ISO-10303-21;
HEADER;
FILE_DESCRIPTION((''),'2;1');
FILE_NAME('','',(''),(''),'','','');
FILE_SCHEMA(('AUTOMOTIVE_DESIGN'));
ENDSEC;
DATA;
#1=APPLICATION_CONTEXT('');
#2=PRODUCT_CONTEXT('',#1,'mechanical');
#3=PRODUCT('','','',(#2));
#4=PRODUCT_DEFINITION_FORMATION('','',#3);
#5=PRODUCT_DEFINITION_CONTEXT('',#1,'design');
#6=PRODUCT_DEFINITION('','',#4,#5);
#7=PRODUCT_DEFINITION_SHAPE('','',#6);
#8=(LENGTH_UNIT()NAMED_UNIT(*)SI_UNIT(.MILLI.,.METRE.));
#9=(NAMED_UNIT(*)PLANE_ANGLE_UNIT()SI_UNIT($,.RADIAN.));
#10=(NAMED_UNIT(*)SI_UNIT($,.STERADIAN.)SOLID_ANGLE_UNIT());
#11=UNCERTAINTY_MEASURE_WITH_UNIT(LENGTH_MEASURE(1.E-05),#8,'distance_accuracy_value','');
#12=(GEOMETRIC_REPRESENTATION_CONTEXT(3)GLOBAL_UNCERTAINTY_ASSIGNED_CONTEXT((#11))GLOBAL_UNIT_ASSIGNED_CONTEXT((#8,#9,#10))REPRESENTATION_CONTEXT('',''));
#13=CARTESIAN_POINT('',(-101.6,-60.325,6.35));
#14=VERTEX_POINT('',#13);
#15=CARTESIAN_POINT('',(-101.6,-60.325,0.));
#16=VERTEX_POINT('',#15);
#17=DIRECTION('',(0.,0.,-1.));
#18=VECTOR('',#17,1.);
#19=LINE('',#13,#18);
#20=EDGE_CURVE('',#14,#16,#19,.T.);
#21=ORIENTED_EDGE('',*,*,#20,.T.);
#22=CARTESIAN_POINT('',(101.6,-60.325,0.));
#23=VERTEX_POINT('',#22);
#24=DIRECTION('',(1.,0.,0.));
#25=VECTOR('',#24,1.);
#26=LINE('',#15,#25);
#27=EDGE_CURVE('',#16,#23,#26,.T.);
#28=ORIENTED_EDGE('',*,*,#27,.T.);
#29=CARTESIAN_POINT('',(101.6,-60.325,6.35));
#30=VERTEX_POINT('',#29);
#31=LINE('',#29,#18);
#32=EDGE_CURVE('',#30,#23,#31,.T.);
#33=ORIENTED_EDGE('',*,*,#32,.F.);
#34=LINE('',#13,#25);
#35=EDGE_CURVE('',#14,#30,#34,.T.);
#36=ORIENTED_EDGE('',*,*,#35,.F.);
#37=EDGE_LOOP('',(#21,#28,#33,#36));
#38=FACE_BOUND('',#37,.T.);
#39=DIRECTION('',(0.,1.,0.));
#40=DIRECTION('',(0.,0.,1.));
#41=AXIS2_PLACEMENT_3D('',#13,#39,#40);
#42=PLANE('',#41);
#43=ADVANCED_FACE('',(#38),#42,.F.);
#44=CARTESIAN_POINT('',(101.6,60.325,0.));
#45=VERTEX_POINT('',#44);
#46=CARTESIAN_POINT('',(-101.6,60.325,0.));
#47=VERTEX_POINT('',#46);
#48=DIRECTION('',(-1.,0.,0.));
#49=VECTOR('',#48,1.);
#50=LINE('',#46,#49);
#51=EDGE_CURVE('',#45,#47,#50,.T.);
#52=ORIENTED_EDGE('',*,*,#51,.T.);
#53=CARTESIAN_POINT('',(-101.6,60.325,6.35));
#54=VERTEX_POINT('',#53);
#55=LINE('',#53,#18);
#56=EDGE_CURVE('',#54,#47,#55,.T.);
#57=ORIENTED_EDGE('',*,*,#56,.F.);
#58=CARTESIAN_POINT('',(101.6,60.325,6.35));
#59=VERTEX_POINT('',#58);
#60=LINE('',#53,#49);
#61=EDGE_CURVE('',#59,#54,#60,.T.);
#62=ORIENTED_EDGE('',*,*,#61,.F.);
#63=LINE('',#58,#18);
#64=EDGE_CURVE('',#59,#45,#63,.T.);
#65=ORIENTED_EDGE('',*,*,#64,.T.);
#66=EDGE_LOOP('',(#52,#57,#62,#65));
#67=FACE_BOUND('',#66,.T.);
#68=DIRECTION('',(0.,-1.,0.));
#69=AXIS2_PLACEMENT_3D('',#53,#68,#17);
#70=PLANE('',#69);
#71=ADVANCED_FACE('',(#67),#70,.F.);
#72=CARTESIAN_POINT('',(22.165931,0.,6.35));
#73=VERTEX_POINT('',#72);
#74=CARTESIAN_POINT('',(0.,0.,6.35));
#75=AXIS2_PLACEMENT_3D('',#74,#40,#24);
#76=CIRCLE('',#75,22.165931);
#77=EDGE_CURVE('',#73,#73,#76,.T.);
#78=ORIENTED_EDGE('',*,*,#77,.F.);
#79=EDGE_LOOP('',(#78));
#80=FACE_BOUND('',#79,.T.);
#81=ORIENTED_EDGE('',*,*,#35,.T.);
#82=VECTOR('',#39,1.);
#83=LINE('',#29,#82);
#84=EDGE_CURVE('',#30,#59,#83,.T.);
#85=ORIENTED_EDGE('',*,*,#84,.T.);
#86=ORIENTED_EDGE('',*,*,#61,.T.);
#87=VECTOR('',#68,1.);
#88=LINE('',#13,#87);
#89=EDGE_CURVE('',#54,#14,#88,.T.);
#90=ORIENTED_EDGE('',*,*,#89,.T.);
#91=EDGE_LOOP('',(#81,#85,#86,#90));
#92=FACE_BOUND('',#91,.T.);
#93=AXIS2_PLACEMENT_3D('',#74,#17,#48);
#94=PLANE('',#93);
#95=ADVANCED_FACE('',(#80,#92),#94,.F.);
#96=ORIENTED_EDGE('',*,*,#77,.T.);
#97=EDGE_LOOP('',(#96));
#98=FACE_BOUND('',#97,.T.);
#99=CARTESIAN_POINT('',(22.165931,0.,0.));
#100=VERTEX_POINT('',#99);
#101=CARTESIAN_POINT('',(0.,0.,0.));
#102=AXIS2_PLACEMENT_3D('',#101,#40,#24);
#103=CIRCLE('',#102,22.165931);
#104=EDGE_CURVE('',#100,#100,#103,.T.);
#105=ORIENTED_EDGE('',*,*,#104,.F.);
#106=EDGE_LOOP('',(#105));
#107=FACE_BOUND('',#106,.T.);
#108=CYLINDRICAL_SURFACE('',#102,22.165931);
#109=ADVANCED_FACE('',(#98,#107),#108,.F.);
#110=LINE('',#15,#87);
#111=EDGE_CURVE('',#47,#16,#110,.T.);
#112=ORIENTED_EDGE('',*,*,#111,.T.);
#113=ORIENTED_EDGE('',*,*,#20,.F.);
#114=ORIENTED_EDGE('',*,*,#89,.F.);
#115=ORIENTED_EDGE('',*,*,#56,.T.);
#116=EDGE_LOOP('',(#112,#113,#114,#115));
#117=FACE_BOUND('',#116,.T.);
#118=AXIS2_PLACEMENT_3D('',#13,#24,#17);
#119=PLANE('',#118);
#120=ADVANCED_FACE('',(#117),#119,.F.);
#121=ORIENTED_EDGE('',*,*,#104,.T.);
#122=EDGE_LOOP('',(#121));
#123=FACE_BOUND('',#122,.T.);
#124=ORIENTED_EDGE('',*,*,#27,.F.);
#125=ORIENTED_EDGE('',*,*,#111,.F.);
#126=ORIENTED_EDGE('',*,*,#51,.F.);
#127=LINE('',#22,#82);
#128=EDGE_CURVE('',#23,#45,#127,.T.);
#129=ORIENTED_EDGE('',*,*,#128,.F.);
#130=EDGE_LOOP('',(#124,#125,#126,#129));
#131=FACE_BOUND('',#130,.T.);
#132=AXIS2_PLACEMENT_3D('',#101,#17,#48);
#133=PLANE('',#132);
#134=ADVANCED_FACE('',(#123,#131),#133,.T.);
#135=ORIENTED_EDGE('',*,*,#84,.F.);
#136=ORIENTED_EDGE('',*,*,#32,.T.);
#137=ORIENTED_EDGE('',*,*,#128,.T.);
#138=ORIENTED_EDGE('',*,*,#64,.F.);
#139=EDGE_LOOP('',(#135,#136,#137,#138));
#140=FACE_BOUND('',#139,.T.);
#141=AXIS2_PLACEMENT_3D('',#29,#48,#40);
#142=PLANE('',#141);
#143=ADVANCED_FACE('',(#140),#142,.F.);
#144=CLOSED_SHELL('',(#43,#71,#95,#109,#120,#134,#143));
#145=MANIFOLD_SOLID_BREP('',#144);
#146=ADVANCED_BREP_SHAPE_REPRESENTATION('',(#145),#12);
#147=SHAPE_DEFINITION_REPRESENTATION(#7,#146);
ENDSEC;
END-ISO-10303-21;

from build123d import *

# Parameters (mm, degrees)
BLOCKBASE_W        = 203.2
BLOCKBASE_H        = 120.65
BLOCK_DEPTH        = 6.35
SKETCH1_R          = 22.165931145
CUT_EXTRUDE1_DEPTH = 119.329996725


with BuildPart() as part:
    # BlockBase → Block (new body)
    with BuildSketch(Plane.XY):
        Rectangle(BLOCKBASE_W, BLOCKBASE_H)
    extrude(amount=BLOCK_DEPTH)

    # Sketch1 → Cut-Extrude1 (cut, through all)
    with BuildSketch(Plane.XY.offset(6.35)):
        Circle(SKETCH1_R)
    extrude(amount=-CUT_EXTRUDE1_DEPTH, mode=Mode.SUBTRACT)


solid = part.part
